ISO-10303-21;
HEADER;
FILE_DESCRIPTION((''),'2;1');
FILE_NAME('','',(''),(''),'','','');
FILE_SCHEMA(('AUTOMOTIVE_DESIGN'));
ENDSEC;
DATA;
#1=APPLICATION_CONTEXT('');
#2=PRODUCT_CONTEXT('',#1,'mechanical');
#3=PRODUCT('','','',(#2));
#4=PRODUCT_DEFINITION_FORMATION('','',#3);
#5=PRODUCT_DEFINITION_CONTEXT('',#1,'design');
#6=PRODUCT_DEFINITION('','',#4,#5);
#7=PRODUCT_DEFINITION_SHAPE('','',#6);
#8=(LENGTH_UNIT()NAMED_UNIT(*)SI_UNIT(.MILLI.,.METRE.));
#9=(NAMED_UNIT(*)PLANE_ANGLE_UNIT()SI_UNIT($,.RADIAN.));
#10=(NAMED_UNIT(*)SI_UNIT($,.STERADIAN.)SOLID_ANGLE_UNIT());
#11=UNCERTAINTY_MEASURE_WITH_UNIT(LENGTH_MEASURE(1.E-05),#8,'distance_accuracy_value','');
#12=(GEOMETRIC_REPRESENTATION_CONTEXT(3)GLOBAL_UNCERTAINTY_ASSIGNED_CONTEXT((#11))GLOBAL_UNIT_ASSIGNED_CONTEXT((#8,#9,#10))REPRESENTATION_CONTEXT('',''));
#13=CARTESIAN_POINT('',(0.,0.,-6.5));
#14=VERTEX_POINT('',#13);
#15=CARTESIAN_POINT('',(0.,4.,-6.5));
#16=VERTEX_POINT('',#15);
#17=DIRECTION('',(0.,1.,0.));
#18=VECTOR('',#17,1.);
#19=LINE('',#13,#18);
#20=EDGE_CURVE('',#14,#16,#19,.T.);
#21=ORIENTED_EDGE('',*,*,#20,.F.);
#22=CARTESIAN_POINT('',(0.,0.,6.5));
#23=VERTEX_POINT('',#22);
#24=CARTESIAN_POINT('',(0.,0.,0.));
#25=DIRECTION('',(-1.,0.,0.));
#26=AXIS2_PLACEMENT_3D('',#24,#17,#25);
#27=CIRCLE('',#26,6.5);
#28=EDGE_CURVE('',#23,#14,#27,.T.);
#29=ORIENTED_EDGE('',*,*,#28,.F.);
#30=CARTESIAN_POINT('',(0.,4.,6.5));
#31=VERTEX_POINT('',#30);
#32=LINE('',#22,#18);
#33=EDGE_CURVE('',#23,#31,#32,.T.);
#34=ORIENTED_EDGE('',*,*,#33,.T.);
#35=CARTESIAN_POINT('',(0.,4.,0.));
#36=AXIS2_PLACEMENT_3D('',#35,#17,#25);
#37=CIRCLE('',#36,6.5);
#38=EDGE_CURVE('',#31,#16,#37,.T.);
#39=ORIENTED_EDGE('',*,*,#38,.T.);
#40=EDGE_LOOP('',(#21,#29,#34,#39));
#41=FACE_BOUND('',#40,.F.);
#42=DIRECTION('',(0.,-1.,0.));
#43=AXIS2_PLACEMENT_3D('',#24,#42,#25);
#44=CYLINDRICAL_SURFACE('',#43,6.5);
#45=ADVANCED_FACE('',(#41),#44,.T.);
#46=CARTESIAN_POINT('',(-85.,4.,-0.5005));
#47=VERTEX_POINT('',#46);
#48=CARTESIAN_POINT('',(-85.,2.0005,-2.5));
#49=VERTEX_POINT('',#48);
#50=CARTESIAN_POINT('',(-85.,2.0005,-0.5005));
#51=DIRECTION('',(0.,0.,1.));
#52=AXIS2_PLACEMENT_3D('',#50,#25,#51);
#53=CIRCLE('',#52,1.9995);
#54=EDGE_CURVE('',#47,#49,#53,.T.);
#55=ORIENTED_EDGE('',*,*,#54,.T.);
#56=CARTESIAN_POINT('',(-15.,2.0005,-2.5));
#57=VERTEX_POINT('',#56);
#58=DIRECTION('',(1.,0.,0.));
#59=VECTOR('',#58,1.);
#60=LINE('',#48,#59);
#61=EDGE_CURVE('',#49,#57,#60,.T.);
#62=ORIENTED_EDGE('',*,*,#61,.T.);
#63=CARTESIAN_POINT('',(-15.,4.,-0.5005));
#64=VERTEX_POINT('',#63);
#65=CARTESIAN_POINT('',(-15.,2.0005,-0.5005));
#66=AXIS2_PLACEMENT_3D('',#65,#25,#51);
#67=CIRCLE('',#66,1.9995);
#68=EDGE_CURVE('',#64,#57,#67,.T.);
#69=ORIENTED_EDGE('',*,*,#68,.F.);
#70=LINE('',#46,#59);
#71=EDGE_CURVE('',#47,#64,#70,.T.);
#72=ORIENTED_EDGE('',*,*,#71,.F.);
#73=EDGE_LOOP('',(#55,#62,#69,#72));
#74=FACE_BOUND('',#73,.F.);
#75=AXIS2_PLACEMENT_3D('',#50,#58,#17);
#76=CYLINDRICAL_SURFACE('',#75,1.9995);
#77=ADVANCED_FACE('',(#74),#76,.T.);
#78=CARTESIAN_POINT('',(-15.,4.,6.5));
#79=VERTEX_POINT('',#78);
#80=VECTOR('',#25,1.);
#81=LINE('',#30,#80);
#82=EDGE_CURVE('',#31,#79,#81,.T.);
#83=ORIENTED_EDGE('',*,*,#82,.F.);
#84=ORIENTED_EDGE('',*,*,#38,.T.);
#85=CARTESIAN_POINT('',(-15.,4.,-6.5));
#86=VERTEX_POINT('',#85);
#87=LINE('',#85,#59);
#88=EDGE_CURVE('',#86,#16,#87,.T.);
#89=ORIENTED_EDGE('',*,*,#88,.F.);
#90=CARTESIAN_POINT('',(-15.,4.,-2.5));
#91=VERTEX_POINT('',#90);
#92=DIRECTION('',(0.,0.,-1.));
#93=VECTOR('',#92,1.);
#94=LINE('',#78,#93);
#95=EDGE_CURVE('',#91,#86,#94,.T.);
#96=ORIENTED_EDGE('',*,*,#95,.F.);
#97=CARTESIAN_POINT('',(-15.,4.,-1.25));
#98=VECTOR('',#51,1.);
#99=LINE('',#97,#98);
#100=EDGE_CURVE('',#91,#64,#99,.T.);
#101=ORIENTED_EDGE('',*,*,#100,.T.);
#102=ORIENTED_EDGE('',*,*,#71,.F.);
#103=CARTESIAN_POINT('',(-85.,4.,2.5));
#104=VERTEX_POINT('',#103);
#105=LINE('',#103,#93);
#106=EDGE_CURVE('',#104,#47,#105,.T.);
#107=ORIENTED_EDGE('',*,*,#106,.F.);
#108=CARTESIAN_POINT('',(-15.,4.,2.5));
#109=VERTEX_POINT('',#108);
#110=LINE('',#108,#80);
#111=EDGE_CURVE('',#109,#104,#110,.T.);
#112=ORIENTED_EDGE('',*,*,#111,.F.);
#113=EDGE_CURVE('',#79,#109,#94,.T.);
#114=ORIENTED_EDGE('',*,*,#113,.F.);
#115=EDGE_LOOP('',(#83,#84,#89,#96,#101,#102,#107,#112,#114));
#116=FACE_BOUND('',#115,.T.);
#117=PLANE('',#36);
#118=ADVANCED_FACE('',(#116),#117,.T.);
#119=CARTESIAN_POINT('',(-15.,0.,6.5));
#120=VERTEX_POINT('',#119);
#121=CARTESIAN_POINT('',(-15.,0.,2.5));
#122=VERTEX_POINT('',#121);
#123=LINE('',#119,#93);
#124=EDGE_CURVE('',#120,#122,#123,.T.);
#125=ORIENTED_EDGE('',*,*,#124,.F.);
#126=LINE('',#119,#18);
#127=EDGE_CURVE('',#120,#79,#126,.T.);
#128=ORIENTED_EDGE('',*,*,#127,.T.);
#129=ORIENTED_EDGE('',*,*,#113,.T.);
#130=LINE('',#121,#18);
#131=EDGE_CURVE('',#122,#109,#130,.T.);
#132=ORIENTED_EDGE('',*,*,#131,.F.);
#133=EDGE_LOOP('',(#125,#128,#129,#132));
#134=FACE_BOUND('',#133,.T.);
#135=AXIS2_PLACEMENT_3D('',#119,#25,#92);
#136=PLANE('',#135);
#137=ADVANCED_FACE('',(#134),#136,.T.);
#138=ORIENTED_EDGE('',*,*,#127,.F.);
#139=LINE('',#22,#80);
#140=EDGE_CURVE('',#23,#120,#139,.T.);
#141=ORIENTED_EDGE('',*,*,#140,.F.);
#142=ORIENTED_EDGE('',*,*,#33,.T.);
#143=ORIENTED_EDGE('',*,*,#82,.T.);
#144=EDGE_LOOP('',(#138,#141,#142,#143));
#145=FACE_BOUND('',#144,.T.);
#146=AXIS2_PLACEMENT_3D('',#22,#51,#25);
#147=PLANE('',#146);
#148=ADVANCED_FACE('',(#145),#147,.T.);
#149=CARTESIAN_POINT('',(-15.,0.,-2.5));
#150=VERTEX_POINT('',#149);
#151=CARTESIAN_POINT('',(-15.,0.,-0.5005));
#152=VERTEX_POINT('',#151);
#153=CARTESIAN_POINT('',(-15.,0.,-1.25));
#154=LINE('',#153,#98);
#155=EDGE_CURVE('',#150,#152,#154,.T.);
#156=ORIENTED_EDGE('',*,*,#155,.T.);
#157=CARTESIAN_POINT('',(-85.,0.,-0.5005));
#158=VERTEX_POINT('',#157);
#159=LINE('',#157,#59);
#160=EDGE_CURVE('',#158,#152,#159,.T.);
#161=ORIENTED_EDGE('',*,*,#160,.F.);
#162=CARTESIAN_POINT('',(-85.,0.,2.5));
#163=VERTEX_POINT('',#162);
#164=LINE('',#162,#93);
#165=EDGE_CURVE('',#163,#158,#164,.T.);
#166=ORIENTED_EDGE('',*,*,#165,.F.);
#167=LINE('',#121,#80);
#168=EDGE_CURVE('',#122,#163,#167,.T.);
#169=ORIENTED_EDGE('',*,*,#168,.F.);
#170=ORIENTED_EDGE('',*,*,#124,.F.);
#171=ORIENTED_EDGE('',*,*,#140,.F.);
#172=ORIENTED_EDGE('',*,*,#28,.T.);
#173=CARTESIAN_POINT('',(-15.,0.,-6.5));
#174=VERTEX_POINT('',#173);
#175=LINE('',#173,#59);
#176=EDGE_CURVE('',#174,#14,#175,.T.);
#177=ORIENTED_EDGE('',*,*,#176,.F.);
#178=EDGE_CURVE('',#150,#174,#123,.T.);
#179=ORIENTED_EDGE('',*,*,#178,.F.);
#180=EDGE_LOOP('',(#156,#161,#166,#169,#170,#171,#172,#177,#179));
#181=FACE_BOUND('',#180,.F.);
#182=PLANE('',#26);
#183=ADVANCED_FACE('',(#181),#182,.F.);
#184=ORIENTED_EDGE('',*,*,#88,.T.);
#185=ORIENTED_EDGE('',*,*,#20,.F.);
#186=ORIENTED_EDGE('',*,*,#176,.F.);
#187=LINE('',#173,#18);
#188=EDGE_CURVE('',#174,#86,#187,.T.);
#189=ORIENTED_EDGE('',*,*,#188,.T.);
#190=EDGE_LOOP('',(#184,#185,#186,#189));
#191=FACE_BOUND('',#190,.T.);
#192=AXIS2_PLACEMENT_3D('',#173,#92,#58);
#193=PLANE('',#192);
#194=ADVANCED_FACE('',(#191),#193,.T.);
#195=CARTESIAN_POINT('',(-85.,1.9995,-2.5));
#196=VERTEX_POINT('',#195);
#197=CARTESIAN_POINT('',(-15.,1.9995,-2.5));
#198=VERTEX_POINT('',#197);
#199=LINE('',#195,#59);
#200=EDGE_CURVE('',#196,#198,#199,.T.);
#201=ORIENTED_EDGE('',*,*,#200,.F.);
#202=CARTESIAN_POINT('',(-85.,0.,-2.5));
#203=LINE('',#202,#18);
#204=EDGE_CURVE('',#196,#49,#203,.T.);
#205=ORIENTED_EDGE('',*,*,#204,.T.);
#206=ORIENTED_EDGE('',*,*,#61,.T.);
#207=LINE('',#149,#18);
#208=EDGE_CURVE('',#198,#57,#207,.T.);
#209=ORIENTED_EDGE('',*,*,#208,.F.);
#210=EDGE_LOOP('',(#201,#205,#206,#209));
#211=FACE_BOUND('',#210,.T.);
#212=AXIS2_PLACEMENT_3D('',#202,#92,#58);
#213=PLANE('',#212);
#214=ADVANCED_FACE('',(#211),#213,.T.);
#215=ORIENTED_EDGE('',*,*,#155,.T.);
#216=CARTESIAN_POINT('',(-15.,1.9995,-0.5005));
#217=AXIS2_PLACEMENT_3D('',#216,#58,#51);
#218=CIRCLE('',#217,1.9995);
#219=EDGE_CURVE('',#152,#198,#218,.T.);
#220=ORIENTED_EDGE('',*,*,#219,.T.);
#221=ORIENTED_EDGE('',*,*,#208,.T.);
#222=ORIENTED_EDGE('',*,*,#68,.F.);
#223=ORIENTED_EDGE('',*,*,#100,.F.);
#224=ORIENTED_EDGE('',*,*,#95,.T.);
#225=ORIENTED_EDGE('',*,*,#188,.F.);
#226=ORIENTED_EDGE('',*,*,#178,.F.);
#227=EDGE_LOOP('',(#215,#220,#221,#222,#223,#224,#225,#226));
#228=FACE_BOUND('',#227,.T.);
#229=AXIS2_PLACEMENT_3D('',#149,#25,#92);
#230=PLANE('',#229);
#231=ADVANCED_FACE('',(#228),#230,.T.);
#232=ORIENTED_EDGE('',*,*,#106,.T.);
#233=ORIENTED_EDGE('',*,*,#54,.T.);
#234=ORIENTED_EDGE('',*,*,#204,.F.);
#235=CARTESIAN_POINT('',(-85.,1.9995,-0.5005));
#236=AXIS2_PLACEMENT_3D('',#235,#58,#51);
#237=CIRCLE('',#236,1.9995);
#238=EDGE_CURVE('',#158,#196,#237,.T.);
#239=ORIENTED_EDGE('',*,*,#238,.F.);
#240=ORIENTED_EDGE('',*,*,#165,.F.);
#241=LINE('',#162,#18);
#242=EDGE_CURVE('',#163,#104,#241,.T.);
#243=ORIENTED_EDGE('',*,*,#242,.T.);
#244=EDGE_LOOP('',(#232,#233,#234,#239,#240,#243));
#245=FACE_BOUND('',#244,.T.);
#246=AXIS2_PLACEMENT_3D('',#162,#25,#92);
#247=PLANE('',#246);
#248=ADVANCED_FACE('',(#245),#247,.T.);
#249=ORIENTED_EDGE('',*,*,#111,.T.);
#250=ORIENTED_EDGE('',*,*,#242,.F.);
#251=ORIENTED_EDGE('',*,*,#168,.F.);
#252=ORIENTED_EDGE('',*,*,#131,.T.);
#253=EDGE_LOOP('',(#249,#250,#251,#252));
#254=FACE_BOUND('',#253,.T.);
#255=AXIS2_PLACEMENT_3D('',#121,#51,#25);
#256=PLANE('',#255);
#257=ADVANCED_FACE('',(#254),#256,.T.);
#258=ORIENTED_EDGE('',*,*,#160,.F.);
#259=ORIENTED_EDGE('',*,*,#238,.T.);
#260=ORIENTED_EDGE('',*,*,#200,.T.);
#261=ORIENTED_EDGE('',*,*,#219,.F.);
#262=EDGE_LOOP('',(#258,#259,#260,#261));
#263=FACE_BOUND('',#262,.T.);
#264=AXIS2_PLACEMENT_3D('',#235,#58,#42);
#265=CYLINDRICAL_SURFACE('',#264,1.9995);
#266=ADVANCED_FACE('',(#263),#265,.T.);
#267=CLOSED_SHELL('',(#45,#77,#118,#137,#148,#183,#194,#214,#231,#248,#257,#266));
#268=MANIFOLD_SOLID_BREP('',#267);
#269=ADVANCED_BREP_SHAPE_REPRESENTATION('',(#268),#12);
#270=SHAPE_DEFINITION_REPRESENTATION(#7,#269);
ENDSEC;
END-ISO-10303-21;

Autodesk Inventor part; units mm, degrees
ref_plane "YZ Plane" through (0, 0, 0) normal (1, 0, 0) x (0, 1, 0)
ref_plane "XZ Plane" through (0, 0, 0) normal (0, 1, 0) x (-1, 0, 0)
ref_plane "XY Plane" through (0, 0, 0) normal (0, 0, 1) x (1, 0, 0)
sketch "Sketch1" plane through (0, 0, 0) normal (0, 1, 0) x (-1, 0, 0)
  circle A0 centre (0, 0) radius 6.5
  line L0 (0, 6.5) -> (15, 6.5)
  line L1 (15, 6.5) -> (15, -6.5)
  line L2 (15, -6.5) -> (0, -6.5)
  line L3 (0, -6.5) -> (0, 6.5)
  line L4 (15, 2.5) -> (85, 2.5)
  line L5 (85, 2.5) -> (85, -2.5)
  line L6 (85, -2.5) -> (15, -2.5)
  line L7 (15, -2.5) -> (15, 2.5)
  dimension "d0" = 13
  dimension "d1" = 6.5
  dimension "d2" = 15
  dimension "d3" = 6.5
  dimension "d4" = 70
  dimension "d5" = 4
  dimension "d6" = 4
extrude "Extrusion1" add sketch "Sketch1" along normal blind 4
fillet "Fillet1" radius 2 2 edges at (-50, 4, -2.5) (-50, 0, -2.5)
properties part number "Arms"
